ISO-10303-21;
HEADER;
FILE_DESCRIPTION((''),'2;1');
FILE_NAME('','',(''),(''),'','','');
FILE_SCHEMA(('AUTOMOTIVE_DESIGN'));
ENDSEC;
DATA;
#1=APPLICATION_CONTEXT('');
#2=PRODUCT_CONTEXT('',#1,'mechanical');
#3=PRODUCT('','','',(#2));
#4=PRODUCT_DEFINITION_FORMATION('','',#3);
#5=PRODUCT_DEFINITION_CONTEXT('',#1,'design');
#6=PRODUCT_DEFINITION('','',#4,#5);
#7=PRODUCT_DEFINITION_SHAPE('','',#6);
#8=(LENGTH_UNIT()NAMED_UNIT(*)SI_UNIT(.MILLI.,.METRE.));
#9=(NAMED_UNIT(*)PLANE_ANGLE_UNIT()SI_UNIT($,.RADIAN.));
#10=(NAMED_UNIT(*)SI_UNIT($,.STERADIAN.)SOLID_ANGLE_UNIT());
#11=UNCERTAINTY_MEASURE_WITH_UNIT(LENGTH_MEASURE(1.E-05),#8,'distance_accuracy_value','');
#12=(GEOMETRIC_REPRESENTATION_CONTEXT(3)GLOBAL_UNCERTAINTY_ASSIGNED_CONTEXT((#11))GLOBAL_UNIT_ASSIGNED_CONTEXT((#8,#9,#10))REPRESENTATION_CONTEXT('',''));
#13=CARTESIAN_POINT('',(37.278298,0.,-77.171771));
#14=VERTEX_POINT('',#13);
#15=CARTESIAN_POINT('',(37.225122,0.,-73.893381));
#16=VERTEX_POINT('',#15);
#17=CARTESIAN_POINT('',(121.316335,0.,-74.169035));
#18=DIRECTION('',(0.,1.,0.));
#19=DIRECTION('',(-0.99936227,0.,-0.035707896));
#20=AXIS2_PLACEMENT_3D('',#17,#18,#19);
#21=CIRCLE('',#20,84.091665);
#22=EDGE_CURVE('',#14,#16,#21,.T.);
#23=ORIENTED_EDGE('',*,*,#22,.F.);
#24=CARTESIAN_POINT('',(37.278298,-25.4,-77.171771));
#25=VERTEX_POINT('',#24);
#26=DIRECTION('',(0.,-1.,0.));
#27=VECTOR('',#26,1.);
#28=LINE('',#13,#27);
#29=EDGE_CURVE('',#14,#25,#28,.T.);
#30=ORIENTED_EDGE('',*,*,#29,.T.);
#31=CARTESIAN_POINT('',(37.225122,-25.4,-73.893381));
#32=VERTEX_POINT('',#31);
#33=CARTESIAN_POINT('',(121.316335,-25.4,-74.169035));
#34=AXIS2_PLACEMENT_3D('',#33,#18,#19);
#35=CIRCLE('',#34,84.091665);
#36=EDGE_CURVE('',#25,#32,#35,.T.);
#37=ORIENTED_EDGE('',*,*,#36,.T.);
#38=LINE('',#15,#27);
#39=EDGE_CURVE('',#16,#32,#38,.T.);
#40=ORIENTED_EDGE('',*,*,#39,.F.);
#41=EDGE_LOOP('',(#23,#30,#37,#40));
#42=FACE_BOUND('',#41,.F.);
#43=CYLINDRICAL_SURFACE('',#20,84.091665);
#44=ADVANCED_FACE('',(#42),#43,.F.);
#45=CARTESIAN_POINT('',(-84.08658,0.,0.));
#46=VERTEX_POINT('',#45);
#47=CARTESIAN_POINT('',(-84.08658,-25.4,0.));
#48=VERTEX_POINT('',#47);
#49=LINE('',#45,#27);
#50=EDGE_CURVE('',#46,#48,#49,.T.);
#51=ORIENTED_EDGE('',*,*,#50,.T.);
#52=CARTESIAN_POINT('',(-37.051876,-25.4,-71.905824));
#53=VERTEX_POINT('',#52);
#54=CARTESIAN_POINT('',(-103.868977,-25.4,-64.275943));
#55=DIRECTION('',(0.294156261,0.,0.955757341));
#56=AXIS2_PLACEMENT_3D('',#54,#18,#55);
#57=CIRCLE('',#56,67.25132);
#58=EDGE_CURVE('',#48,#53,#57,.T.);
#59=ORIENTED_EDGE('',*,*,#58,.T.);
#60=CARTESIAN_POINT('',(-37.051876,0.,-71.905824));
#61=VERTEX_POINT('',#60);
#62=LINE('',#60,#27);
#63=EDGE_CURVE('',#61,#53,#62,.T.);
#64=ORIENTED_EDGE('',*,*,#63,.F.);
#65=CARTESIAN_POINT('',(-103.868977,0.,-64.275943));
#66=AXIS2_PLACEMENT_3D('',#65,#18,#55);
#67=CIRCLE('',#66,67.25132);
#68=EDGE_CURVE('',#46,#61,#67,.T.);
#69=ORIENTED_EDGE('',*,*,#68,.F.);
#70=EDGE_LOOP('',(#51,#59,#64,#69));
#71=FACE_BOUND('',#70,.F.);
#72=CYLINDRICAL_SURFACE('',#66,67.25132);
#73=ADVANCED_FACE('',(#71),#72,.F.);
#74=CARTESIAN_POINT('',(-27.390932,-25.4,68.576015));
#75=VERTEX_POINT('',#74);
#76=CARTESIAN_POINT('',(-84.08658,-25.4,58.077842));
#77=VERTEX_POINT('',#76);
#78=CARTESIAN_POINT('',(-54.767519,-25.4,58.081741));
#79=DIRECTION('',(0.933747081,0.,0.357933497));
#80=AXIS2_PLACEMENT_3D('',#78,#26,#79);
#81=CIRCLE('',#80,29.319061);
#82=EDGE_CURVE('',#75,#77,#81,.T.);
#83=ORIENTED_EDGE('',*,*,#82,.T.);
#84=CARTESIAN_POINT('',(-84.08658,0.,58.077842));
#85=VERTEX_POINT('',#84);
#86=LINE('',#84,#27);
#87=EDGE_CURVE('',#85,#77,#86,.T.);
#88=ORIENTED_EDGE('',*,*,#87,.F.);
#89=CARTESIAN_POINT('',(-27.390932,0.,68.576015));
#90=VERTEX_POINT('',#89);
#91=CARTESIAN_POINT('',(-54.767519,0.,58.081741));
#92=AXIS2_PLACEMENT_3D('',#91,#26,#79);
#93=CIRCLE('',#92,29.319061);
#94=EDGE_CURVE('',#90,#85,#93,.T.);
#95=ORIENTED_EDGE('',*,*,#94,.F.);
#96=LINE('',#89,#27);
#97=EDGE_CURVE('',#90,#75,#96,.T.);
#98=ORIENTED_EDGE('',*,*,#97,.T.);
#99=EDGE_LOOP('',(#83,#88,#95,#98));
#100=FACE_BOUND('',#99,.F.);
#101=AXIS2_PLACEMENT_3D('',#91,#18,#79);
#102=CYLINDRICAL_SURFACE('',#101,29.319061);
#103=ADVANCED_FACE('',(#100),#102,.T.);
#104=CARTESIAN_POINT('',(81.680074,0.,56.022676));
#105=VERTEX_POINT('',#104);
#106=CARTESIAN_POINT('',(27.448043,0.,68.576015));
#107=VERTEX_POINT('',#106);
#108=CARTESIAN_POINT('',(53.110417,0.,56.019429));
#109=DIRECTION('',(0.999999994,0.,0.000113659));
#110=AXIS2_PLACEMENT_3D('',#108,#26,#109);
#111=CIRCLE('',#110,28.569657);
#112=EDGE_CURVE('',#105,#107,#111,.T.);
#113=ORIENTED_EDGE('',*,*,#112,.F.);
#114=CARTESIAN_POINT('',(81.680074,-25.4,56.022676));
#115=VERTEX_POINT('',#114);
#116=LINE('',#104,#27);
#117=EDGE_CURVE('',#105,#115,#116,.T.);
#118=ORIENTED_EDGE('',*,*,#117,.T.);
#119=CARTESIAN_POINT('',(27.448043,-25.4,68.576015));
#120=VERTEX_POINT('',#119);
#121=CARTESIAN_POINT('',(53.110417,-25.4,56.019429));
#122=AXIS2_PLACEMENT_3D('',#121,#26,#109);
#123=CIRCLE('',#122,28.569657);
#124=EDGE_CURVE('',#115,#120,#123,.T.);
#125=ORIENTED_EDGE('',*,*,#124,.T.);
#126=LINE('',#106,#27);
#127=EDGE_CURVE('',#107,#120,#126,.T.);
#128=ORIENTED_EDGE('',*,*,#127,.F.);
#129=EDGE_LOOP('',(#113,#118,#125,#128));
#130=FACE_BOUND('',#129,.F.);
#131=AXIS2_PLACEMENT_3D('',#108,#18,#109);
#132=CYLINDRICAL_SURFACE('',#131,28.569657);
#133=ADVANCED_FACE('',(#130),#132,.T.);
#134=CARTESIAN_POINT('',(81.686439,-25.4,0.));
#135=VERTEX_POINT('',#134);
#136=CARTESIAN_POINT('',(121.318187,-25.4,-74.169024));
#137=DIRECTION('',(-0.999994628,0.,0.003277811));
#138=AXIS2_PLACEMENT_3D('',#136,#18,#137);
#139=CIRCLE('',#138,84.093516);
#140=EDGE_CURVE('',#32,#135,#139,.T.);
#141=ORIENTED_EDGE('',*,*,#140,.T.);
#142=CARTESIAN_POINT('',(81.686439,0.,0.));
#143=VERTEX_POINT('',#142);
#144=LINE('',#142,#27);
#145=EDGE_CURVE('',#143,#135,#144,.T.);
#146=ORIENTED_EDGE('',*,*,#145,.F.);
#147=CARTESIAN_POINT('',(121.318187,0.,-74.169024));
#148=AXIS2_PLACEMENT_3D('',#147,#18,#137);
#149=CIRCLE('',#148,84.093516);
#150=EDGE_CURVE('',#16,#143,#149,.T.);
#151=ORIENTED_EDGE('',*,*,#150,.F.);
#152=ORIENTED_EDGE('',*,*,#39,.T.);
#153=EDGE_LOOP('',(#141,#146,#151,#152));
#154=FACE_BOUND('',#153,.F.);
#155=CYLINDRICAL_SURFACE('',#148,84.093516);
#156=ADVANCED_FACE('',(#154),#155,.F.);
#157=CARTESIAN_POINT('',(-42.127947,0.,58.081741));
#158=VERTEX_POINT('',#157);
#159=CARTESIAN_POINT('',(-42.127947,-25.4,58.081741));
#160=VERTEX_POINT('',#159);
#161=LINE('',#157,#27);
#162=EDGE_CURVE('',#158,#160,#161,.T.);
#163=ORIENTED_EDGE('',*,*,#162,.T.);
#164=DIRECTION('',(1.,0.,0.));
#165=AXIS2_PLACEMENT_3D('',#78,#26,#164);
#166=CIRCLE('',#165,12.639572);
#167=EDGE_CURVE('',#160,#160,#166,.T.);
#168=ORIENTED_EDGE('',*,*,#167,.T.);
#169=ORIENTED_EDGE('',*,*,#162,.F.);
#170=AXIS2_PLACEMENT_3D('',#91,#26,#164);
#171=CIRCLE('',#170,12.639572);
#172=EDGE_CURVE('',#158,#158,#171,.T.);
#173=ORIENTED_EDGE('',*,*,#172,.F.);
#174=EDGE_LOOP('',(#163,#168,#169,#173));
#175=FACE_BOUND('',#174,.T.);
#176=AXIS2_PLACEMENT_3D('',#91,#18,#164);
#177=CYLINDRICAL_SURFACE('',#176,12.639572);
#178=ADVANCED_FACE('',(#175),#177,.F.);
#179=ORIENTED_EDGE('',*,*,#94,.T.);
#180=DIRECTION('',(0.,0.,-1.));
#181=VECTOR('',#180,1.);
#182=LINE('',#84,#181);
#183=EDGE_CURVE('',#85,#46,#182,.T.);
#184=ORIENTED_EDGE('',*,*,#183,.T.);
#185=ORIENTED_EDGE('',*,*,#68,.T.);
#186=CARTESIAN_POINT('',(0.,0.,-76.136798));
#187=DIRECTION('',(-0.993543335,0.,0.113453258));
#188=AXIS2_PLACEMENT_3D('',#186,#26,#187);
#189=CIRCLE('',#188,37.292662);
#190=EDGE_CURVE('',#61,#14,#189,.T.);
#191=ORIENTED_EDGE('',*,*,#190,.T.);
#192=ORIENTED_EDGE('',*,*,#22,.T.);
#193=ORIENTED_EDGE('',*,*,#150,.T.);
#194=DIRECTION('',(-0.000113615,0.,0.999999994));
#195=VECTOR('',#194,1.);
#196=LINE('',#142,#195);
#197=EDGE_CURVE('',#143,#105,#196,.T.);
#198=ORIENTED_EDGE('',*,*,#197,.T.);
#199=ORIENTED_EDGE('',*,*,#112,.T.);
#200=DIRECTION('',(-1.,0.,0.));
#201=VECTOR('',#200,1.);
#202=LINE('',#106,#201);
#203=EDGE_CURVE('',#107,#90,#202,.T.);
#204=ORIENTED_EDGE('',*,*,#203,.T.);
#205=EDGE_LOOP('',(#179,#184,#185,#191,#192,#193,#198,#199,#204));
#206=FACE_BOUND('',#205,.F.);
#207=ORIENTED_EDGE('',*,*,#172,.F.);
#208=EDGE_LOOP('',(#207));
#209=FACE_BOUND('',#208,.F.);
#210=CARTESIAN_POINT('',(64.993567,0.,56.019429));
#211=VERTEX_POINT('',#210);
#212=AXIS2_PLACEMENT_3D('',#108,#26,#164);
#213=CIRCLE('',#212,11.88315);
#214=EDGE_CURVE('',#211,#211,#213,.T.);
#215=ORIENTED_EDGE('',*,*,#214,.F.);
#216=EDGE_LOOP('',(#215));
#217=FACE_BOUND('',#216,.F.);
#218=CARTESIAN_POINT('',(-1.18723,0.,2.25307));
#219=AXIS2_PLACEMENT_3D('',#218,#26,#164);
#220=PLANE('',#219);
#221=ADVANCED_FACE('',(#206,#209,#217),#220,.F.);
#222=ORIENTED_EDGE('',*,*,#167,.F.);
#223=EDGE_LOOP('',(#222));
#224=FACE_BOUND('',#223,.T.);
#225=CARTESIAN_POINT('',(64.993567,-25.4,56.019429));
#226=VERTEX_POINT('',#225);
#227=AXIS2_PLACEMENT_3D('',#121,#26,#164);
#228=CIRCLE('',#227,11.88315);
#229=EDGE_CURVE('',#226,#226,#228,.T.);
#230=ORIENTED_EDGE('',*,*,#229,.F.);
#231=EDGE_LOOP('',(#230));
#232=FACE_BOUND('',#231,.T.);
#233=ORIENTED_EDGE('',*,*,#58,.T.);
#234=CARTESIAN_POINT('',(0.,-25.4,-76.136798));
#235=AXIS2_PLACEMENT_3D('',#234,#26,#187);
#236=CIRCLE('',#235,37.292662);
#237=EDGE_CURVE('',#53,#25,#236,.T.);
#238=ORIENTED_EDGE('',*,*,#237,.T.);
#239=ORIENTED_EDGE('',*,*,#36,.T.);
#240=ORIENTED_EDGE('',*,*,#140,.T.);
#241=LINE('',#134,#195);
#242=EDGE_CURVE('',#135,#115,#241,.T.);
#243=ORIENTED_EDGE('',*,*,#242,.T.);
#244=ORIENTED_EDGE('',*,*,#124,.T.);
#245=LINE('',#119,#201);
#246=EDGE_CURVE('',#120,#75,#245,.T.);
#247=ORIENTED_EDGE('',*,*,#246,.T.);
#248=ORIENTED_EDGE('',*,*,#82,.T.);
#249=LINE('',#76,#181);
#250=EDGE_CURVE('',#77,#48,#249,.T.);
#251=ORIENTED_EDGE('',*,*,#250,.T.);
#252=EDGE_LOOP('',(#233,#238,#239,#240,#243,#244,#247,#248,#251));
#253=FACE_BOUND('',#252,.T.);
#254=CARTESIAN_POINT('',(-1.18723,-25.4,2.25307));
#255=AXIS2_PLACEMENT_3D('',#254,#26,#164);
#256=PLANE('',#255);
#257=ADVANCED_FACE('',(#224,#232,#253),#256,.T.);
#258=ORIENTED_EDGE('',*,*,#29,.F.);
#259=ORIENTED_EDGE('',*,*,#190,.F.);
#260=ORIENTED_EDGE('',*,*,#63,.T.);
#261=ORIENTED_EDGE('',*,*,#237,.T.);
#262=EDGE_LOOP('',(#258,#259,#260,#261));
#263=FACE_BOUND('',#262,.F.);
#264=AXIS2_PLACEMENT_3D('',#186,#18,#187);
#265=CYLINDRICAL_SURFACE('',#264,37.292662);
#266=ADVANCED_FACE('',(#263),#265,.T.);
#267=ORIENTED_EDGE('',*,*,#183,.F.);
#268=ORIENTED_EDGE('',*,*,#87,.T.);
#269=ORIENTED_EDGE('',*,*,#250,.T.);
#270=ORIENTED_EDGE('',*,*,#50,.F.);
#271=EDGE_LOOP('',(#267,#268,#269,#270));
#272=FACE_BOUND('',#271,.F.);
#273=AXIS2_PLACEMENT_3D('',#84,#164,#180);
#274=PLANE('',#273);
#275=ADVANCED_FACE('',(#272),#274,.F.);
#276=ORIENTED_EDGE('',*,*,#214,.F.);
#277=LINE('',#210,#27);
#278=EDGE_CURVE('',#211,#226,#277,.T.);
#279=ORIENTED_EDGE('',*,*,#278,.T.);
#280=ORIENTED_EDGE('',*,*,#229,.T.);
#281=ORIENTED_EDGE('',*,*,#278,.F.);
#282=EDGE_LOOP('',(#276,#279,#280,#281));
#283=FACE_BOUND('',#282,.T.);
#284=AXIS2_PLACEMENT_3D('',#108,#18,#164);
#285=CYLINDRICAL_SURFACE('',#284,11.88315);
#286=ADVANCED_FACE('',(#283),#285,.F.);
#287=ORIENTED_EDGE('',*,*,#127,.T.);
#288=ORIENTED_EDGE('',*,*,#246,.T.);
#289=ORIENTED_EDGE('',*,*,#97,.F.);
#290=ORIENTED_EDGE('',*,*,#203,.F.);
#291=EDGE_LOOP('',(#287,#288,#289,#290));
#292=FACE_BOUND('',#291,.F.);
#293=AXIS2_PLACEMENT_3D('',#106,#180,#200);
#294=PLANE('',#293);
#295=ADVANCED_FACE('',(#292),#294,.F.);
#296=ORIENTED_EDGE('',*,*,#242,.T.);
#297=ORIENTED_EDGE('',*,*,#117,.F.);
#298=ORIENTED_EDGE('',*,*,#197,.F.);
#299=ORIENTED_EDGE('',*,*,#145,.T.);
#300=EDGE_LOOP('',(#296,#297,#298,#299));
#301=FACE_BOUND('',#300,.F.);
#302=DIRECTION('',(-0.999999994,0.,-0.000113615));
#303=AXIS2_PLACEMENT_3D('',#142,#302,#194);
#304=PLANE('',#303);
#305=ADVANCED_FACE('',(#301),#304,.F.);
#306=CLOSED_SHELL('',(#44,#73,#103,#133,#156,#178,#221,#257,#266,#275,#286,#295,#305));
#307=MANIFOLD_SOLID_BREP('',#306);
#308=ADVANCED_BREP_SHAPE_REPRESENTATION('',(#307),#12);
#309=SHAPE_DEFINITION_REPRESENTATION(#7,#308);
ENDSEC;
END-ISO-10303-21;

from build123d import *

# Parameters (mm, degrees)
F0_R     = 12.639572
F0_R_2   = 11.88315
F1_DEPTH = 25.4


with BuildPart() as f1:
    # F0 (on Front) → F1 (new body)
    with BuildSketch(Plane.XZ):
        with BuildLine():
            Line((27.448043, 68.576015), (-27.390932, 68.576015))
            ThreePointArc((-27.390932, 68.576015), (-60.105703, 86.910739), (-84.08658, 58.077842))
            Line((-84.08658, 58.077842), (-84.08658, 0))
            ThreePointArc((-84.08658, 0), (-47.588606, -27.462088), (-37.051876, -71.905824))
            ThreePointArc((-37.051876, -71.905824), (-2.635407, -113.336224), (37.278298, -77.171771))
            ThreePointArc((37.278298, -77.171771), (37.23573, -75.532835), (37.225122, -73.893381))
            ThreePointArc((37.225122, -73.893381), (49.262547, -30.813467), (81.686439, 0))
            Line((81.686439, 0), (81.680074, 56.022676))
            ThreePointArc((81.680074, 56.022676), (59.553216, 83.853143), (27.448043, 68.576015))
        make_face()
        with Locations((-54.767519, 58.081741)):
            Circle(F0_R, mode=Mode.SUBTRACT)
        with Locations((53.110417, 56.019429)):
            Circle(F0_R_2, mode=Mode.SUBTRACT)
    extrude(amount=F1_DEPTH)


solid = f1.part
